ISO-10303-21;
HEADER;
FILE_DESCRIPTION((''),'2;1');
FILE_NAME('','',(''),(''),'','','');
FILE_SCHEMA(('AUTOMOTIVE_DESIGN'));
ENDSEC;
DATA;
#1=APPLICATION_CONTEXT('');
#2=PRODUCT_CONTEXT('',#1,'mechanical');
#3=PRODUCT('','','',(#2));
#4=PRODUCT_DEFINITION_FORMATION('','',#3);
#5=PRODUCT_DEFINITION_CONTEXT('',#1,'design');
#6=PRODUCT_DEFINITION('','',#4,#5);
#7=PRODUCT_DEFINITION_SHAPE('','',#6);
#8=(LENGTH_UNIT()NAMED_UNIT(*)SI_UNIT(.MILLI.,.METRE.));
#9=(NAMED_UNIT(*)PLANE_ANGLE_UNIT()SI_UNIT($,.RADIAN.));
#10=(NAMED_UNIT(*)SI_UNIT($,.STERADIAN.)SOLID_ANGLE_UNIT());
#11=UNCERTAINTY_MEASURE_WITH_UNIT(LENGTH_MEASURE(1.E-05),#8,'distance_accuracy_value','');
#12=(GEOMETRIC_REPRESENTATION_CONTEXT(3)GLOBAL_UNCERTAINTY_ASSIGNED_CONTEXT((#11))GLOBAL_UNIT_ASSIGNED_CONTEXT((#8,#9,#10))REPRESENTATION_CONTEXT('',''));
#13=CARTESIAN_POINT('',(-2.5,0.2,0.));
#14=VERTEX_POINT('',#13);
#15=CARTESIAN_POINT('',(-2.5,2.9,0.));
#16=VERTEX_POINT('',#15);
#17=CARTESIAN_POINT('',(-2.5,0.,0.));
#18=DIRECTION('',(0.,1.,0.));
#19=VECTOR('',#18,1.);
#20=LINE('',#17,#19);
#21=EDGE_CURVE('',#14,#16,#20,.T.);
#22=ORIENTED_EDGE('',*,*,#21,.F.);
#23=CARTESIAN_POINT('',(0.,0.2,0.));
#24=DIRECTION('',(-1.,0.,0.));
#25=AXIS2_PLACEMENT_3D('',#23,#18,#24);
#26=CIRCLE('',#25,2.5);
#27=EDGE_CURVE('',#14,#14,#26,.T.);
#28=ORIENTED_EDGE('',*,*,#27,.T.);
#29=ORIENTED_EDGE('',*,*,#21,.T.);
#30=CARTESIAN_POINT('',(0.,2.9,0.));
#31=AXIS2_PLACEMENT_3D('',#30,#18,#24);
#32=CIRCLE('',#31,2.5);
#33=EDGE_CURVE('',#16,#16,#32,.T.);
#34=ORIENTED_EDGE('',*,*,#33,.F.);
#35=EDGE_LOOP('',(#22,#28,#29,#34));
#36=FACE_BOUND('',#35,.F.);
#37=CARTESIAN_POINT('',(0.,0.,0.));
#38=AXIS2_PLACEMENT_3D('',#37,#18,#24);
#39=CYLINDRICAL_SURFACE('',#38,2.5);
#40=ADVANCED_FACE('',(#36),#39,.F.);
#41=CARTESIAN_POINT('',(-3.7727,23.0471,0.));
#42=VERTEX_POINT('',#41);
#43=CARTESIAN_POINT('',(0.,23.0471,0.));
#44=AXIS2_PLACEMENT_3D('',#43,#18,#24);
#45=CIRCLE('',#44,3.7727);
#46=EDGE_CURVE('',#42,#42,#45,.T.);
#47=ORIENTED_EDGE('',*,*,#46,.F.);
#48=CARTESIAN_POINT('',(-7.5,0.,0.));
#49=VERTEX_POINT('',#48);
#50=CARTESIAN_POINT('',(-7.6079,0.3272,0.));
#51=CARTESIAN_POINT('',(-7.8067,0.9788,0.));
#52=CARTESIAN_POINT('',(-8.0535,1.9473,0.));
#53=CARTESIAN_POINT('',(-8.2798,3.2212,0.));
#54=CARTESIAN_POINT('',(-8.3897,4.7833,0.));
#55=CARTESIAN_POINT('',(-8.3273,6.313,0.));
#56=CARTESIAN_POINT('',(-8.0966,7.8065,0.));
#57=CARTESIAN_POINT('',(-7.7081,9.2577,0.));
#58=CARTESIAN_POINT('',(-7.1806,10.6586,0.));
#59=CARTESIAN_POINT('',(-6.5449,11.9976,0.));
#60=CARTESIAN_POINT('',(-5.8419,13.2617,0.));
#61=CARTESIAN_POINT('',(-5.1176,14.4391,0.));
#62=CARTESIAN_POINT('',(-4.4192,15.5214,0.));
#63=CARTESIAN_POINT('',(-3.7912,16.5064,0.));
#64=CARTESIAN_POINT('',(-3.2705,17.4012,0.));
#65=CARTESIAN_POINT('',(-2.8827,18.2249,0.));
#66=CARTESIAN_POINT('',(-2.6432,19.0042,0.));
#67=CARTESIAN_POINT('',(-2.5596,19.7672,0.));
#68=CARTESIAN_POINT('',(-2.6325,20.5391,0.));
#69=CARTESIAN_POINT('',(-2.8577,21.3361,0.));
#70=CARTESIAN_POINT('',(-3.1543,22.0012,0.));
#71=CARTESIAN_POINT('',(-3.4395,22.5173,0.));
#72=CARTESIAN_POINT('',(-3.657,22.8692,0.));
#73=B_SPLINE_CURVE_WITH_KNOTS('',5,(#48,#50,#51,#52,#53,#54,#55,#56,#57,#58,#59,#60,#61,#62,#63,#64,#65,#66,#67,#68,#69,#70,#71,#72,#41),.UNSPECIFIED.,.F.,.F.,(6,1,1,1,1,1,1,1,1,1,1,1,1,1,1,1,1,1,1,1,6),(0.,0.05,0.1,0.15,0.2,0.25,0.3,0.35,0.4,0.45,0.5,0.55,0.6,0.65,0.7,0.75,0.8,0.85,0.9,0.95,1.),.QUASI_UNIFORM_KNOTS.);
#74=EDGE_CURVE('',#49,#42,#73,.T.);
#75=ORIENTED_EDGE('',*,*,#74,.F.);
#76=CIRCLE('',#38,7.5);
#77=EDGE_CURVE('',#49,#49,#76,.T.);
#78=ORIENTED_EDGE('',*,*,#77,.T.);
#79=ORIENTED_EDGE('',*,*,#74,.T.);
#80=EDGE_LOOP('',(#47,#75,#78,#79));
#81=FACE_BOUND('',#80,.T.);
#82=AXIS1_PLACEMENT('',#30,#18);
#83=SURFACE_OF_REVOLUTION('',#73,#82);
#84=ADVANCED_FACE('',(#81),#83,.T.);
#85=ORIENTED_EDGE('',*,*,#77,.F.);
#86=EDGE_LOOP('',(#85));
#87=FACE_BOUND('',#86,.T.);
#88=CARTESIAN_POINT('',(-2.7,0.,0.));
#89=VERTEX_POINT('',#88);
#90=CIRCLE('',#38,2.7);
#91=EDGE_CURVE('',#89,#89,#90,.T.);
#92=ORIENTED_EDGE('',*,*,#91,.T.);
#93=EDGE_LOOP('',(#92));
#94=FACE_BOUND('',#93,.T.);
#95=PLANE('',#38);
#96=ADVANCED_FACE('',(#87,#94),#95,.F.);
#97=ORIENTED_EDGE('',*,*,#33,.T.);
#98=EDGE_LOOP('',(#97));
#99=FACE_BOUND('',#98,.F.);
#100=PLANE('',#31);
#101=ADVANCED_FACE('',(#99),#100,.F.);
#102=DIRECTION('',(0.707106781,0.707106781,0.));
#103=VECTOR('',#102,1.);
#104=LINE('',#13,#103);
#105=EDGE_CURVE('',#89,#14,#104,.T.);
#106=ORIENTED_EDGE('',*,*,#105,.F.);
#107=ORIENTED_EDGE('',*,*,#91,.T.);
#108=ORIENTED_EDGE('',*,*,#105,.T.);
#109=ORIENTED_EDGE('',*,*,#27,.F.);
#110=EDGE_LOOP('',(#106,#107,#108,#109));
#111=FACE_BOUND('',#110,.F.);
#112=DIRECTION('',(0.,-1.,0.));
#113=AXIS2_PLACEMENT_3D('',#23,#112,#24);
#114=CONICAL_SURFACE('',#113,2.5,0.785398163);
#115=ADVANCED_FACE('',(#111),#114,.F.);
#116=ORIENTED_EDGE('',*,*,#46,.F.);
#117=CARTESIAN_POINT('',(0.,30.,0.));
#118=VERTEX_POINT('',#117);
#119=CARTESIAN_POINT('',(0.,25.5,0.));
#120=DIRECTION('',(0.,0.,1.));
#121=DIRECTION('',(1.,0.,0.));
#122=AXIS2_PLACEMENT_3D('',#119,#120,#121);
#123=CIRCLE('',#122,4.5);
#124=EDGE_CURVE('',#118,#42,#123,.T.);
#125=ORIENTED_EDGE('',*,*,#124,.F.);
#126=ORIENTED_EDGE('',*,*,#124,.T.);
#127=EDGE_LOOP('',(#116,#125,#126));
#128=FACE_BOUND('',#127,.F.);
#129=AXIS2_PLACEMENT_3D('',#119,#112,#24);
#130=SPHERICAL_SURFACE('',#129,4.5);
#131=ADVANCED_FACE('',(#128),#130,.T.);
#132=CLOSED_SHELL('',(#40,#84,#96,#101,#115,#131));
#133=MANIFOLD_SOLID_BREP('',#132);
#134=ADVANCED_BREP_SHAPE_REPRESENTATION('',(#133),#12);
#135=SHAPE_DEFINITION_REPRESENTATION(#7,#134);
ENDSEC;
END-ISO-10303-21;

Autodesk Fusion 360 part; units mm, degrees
sketch "Sketch1" plane through (0, 0, 0) normal (0, 0, 1) x (1, 0, 0)
  line L0 (-2.5, 0) -> (-7.5, 0)
  line L1 (0, 2.9) -> (0, 30)
  circle A0 centre (0, 25.5) radius 4.5
  spline S0 degree 5 poles (-7.5, 0) (-7.6079, 0.3272) (-7.8067, 0.9788) (-8.0535, 1.9473) (-8.2798, 3.2212) (-8.3897, 4.7833) (-8.3273, 6.313) (-8.0966, 7.8065) (-7.7081, 9.2577) (-7.1806, 10.6586) (-6.5449, 11.9976) (-5.8419, 13.2617) (-5.1176, 14.4391) (-4.4192, 15.5214) (-3.7912, 16.5064) (-3.2705, 17.4012) (-2.8827, 18.2249) (-2.6432, 19.0042) (-2.5596, 19.7672) (-2.6325, 20.5391) (-2.8577, 21.3361) (-3.1543, 22.0012) (-3.4395, 22.5173) (-3.657, 22.8692) (-3.7727, 23.0471) knots 0 0 0 0 0 0 0.05 0.1 0.15 0.2 0.25 0.3 0.35 0.4 0.45 0.5 0.55 0.6 0.65 0.7 0.75 0.8 0.85 0.9 0.95 1 1 1 1 1 1
  line L2 (-2.5, 0) -> (-2.5, 2.9)
  line L3 (-2.5, 2.9) -> (0, 2.9)
  point P0 (-7.5, 9.7567)
  point P1 (-3.7796, 16.5473)
  point P2 (-2.5986, 19.795)
  dimension "d2" = 30
  dimension "d3" = 9
  dimension "d5" = 2.9
  dimension "d7" = 7.5
  dimension "d8" = 2.5
revolve "Revolve1" add sketch "Sketch1" angle 360 about axis through (0, 2.9, 0) along (0, 1, 0) contours L0 L1 A0 S0 L2 L3 | L1 A0 picked at (-2.2746, 26.0368)
chamfer "Chamfer1" distance 0.2 angle 45 1 edges at (-2.3308, 0, 0.904)
